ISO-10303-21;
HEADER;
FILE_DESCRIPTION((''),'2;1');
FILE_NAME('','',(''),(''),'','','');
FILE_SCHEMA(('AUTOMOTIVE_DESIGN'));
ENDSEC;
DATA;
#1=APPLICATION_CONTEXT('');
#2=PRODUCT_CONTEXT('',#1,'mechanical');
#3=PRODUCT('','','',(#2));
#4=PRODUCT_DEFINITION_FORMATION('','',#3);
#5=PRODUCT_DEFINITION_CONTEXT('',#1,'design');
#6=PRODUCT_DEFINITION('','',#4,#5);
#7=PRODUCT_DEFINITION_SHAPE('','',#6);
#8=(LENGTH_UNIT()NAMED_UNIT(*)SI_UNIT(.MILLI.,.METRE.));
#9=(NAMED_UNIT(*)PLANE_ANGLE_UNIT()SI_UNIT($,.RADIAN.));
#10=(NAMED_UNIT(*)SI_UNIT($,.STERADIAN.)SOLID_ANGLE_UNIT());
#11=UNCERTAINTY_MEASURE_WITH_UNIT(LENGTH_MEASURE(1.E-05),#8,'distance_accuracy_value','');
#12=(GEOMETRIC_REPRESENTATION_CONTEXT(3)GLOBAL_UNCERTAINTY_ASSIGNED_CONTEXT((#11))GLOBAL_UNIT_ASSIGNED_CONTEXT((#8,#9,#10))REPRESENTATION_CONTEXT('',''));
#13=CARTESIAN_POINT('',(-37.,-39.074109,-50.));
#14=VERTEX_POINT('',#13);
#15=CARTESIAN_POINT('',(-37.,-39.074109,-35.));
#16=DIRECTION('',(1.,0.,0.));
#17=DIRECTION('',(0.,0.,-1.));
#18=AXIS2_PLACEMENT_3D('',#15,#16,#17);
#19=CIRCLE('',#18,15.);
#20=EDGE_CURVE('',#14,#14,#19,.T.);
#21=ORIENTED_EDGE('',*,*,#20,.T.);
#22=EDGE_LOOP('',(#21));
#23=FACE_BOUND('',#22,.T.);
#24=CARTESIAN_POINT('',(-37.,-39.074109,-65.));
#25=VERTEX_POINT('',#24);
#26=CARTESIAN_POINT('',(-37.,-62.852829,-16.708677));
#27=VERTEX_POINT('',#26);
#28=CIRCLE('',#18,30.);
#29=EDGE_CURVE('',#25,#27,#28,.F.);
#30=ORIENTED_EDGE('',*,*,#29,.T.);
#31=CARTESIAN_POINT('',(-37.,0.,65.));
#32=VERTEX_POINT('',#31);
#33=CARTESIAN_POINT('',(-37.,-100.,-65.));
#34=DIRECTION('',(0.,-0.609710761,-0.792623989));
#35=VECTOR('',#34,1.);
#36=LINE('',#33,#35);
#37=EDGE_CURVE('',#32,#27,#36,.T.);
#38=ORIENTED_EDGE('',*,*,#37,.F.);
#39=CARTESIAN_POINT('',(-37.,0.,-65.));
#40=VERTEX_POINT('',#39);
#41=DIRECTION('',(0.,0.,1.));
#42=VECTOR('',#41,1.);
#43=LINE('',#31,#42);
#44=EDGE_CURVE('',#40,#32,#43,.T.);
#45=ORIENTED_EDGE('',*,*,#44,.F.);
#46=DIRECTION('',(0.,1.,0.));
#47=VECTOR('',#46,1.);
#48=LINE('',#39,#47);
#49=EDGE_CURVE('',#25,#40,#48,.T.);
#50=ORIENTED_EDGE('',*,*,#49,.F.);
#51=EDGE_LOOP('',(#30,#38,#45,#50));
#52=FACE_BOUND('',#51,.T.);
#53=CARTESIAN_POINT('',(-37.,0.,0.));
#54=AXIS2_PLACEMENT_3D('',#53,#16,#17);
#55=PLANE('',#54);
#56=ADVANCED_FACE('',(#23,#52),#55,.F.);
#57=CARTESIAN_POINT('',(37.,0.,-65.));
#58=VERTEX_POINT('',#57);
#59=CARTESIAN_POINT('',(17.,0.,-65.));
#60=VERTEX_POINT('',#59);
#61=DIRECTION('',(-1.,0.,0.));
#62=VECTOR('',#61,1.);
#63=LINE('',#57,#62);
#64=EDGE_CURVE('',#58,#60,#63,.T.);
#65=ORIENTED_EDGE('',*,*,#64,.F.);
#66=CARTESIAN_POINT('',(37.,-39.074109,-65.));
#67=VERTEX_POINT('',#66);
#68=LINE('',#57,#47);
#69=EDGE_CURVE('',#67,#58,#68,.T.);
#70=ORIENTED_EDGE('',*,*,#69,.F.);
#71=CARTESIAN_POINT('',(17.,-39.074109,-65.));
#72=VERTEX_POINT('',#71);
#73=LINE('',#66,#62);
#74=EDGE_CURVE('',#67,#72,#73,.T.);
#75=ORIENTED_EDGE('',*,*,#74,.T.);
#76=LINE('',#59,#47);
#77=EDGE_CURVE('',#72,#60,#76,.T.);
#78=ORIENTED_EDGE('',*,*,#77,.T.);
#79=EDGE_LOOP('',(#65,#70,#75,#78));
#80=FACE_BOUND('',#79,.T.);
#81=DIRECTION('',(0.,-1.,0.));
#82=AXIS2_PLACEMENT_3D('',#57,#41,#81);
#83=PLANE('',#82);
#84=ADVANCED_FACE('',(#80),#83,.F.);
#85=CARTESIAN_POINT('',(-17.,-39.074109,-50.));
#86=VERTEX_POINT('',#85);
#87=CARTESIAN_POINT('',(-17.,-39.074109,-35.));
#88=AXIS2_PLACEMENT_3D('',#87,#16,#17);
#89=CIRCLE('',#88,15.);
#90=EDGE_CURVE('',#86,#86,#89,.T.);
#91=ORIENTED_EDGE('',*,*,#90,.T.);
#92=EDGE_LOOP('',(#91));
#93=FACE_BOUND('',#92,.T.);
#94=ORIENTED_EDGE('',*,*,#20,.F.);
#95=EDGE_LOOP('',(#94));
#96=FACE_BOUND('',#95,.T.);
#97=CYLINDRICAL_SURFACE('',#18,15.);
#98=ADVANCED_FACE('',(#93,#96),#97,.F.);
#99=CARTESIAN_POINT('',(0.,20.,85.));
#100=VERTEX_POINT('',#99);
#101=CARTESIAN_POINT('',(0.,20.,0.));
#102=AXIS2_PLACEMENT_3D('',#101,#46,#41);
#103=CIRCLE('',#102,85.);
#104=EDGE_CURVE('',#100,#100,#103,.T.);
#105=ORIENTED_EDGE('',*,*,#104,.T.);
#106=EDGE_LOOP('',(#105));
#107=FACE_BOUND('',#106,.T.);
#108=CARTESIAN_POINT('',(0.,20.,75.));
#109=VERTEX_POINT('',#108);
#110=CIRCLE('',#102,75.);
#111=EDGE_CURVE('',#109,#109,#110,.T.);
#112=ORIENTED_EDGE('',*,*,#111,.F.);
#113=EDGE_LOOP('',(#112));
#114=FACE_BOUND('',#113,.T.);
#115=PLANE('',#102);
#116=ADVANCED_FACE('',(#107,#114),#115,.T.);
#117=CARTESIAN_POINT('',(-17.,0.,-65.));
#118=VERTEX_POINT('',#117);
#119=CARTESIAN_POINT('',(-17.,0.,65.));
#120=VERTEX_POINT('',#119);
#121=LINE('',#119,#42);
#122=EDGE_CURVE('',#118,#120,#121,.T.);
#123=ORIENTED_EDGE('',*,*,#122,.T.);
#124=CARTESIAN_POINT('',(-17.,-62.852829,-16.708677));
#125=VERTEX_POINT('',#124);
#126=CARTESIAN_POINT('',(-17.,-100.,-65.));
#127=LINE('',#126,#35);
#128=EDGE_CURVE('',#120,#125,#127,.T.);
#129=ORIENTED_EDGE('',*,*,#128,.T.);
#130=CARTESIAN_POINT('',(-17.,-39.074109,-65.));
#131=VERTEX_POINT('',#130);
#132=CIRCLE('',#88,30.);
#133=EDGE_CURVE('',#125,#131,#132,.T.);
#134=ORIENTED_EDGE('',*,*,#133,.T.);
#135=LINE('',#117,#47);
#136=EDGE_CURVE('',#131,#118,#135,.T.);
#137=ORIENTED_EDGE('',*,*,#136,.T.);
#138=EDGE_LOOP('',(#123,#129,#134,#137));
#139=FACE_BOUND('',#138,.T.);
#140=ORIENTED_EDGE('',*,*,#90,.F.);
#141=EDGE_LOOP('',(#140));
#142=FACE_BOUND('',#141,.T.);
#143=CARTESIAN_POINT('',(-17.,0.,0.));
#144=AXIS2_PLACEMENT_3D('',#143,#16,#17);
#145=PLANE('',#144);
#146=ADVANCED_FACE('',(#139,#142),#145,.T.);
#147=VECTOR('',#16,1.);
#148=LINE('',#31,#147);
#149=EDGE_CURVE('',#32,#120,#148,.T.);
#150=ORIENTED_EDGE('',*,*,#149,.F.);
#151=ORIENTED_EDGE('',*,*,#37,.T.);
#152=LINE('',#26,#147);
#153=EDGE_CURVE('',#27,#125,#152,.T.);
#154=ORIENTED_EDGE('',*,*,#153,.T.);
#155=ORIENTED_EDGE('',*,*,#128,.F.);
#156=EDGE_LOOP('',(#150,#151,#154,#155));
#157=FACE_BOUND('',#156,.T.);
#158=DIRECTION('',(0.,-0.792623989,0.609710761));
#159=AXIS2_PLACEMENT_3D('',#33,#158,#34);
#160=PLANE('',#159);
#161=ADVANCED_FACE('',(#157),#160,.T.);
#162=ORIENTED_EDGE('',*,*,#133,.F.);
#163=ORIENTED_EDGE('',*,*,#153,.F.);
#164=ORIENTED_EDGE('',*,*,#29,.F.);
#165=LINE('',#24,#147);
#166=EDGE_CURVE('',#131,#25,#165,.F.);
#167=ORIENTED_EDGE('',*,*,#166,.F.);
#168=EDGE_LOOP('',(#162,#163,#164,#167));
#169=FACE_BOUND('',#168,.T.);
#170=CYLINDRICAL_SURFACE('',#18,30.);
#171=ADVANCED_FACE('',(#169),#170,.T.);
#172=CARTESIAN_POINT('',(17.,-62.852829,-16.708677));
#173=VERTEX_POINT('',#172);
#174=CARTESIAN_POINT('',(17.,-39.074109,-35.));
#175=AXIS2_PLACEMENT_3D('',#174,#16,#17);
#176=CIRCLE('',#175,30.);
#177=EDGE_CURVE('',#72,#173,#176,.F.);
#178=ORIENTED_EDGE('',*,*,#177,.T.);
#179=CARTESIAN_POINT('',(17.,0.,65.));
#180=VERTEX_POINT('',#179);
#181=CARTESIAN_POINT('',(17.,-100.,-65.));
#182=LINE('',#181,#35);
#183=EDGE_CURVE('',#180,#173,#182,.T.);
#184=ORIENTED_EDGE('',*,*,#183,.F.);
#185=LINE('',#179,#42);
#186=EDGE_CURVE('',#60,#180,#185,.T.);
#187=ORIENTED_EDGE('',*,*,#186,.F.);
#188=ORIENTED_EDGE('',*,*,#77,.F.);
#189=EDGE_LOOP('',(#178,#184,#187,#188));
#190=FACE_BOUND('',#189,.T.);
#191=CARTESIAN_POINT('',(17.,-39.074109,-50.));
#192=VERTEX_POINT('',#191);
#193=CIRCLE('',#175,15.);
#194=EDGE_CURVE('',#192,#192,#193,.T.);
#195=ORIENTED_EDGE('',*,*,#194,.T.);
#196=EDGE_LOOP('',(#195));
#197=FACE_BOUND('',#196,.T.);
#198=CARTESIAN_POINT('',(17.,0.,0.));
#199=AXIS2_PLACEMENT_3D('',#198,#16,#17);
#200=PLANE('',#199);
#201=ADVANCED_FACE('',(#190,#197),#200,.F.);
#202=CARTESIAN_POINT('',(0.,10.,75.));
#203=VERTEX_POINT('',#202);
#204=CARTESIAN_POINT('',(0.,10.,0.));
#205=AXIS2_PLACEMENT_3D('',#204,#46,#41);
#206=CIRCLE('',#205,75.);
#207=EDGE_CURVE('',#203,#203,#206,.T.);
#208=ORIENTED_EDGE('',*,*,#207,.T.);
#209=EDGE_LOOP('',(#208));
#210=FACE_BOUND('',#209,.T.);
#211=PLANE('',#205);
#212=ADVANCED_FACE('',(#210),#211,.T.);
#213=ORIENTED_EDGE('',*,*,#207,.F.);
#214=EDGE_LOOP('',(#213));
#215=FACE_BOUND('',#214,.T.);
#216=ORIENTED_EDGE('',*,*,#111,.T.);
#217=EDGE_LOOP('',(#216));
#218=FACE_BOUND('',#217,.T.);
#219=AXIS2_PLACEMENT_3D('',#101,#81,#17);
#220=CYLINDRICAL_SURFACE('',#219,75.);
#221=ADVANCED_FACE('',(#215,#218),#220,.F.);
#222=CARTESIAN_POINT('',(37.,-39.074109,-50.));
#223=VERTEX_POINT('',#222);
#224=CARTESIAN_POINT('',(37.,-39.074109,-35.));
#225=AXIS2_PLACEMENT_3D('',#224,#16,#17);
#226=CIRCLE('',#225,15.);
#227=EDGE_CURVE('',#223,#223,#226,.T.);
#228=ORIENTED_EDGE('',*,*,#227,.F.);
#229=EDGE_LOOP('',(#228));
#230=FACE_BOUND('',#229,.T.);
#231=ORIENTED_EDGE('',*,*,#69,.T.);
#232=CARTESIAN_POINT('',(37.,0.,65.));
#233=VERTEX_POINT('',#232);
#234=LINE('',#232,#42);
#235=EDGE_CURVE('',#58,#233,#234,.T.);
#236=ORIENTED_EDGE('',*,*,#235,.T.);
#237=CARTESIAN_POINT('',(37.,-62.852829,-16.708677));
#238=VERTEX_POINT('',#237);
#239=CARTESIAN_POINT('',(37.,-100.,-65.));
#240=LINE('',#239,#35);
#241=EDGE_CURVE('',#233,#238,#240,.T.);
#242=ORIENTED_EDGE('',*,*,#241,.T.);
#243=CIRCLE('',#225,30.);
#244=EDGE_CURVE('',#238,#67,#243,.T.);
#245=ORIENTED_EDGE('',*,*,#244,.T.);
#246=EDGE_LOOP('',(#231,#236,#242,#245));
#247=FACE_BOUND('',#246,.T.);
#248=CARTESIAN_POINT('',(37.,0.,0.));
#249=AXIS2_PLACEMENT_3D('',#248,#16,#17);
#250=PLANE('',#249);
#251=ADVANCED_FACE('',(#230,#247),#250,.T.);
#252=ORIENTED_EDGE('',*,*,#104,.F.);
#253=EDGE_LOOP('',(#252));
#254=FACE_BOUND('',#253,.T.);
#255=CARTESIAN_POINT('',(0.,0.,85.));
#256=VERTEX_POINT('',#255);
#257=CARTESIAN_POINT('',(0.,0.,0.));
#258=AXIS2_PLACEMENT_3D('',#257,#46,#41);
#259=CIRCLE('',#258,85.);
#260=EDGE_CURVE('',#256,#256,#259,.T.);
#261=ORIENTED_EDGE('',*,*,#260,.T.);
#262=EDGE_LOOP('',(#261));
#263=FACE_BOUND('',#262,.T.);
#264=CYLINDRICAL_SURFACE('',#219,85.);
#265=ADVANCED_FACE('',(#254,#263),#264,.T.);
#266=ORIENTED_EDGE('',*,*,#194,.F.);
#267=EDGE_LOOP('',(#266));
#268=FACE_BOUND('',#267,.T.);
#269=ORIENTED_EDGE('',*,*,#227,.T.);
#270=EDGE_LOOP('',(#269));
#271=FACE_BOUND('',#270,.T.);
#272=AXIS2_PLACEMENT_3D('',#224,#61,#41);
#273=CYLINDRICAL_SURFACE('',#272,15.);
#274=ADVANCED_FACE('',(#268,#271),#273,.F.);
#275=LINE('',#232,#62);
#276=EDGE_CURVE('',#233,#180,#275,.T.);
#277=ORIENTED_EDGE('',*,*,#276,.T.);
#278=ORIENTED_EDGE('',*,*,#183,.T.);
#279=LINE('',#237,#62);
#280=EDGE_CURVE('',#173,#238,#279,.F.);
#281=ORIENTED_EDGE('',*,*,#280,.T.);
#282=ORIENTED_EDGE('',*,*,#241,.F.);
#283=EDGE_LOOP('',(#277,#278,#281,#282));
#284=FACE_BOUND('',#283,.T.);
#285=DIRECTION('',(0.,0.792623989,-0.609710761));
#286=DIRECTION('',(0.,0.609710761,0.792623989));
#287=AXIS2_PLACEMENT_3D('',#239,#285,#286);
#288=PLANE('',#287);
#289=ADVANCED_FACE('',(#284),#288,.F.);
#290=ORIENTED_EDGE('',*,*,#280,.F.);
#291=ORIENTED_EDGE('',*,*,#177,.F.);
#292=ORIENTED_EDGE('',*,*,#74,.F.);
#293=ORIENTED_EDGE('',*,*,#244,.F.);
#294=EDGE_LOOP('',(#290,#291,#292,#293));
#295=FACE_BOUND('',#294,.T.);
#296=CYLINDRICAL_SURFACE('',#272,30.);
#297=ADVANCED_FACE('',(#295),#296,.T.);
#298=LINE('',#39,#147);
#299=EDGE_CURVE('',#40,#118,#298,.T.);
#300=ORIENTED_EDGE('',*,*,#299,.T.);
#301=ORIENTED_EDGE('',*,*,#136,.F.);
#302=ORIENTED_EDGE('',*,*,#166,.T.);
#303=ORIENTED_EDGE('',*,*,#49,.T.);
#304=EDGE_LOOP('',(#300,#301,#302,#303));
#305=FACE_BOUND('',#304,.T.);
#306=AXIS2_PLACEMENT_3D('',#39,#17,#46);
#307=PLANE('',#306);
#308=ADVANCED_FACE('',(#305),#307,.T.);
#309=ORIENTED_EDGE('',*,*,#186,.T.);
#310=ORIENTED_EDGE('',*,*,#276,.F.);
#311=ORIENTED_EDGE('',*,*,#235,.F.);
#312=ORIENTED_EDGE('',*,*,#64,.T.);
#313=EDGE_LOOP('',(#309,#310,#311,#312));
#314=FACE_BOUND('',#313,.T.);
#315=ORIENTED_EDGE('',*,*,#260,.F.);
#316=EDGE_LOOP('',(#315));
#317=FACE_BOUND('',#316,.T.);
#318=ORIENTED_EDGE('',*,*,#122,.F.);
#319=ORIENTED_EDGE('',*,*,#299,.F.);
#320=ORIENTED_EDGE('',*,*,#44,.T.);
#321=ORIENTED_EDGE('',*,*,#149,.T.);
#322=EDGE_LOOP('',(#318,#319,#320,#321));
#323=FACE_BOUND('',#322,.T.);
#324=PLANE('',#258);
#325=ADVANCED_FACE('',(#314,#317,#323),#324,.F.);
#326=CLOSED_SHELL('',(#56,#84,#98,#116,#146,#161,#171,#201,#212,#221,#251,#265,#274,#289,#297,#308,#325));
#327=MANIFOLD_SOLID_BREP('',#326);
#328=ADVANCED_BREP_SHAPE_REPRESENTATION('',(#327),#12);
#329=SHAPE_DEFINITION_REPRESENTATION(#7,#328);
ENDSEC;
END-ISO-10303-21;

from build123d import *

# Parameters (mm, degrees)
CONNECTOR_PLATE_SKETCH_R      = 85
CONNECTOR_PLATE_EXTRUDE_DEPTH = 20
CONNECTOR_PLATE_SHELL_T       = -10
TRIANGLE_START                = 17
TRIANGLE_SKETCH_R             = 15
TRIANGLE_EXTRUDE_1_DEPTH      = 20
TRIANGLE_START_2              = -37
TRIANGLE_SKETCH_3_R           = 15
TRIANGLE_EXTRUDE_2_DEPTH      = 20
TRIANGLE_FILLET_R             = 30


with BuildPart() as part:
    # Connector Plate Sketch → Connector Plate Extrude (new body)
    with BuildSketch(Plane(origin=(0, 0, 0), x_dir=(1, 0, 0), z_dir=(0, 1, 0))):
        Circle(CONNECTOR_PLATE_SKETCH_R)
    extrude(amount=CONNECTOR_PLATE_EXTRUDE_DEPTH)

    # Connector Plate Shell
    connector_plate_shell_openings = [part.faces().sort_by_distance(p)[0] for p in [
        (0, 20, 0),
    ]]
    offset(amount=CONNECTOR_PLATE_SHELL_T, openings=connector_plate_shell_openings, kind=Kind.INTERSECTION)

    # Triangle Sketch → Triangle Extrude 1 (add)
    with BuildSketch(Plane(origin=(0, 0, 0), x_dir=(0, 0, -1), z_dir=(1, 0, 0)).offset(TRIANGLE_START)):
        Polygon((65, -100), (-65, 0), (65, 0), align=None)
        with Locations((35, -39.074108923)):
            Circle(TRIANGLE_SKETCH_R, mode=Mode.SUBTRACT)
    extrude(amount=TRIANGLE_EXTRUDE_1_DEPTH)

    # Triangle Sketch<3> → Triangle Extrude 2 (add)
    with BuildSketch(Plane(origin=(0, 0, 0), x_dir=(0, 0, -1), z_dir=(1, 0, 0)).offset(TRIANGLE_START_2)):
        Polygon((65, -100), (-65, 0), (65, 0), align=None)
        with Locations((35, -39.074108923)):
            Circle(TRIANGLE_SKETCH_3_R, mode=Mode.SUBTRACT)
    extrude(amount=TRIANGLE_EXTRUDE_2_DEPTH)

    # Triangle Fillet
    triangle_fillet_edges = [part.edges().sort_by_distance(p)[0] for p in [
        (27, -100, -65),
        (-27, -100, -65),
    ]]
    fillet(triangle_fillet_edges, radius=TRIANGLE_FILLET_R)


solid = part.part
